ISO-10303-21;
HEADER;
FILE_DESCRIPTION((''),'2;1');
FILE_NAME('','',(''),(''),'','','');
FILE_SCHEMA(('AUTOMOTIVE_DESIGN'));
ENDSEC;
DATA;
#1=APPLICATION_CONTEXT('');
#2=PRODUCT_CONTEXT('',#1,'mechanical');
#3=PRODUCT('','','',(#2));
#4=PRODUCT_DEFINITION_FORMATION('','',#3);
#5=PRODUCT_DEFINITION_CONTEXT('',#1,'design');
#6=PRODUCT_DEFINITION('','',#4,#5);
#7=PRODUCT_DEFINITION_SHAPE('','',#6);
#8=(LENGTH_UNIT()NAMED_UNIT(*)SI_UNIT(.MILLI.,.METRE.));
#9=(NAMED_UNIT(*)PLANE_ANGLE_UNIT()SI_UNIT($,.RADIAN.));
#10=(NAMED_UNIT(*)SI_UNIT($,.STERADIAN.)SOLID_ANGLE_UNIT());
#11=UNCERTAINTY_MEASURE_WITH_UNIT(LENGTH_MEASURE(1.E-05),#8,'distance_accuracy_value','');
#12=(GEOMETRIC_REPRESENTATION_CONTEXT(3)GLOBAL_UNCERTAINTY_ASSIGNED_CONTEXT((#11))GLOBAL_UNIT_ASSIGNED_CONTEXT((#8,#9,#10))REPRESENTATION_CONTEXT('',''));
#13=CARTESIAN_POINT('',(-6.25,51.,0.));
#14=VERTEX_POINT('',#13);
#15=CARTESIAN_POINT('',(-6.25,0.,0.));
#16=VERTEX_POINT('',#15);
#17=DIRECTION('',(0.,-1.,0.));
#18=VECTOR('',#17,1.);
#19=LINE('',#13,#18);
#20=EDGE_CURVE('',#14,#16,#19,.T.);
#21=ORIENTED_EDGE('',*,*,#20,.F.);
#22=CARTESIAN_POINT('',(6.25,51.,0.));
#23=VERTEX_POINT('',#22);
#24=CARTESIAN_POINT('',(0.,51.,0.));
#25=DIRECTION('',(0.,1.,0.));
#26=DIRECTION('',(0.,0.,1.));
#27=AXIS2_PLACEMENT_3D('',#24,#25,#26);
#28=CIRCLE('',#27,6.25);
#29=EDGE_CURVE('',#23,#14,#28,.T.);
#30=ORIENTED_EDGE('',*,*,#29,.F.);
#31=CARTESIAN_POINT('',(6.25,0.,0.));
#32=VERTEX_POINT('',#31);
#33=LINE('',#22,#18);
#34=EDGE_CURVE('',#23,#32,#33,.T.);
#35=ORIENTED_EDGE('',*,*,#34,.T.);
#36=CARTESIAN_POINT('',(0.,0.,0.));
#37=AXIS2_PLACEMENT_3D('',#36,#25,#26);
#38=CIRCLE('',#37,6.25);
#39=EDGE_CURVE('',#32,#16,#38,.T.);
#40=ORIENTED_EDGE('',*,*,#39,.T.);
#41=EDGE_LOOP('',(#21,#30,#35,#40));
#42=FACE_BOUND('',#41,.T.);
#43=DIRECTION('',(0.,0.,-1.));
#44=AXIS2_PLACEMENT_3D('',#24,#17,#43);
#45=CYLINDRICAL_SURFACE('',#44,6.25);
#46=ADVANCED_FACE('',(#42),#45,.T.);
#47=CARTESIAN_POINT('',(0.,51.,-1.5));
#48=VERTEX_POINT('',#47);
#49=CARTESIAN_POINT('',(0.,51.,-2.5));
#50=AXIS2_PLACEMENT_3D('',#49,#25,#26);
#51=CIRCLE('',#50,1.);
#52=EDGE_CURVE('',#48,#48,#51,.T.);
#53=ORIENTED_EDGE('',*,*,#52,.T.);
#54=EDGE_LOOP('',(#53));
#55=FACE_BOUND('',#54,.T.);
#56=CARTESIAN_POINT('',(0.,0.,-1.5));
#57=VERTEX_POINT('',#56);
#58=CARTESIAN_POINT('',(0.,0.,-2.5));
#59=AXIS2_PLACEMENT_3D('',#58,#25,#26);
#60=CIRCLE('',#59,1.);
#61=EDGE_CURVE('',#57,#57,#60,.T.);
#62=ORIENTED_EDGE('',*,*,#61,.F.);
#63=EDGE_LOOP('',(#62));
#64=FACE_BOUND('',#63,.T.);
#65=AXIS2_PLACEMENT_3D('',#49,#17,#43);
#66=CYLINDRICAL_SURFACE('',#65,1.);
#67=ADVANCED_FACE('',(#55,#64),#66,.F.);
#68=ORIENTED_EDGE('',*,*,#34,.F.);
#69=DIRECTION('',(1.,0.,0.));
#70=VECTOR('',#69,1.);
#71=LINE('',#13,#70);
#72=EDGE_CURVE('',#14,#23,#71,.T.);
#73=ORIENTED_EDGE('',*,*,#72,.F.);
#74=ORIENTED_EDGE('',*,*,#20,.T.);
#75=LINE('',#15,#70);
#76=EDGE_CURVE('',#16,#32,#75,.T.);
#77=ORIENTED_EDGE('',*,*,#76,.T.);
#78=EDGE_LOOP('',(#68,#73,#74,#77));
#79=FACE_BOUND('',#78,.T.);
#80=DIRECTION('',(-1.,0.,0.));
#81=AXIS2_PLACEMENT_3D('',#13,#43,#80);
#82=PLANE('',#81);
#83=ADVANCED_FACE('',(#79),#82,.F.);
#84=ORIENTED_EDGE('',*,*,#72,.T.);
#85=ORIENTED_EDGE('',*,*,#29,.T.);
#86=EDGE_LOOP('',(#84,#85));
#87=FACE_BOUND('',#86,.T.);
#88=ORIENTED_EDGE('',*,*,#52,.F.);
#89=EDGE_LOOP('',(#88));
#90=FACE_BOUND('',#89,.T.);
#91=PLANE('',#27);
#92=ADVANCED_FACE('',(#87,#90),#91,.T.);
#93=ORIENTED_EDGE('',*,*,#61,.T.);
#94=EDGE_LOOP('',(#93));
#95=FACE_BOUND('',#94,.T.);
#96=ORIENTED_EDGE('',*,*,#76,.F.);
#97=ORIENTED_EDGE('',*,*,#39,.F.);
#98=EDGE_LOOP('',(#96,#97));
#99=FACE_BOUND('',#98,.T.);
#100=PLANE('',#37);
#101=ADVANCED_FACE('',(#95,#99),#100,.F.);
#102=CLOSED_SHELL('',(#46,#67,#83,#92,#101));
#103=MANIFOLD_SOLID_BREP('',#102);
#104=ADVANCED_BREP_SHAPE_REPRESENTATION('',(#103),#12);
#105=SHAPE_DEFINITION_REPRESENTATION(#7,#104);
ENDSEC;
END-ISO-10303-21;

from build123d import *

# Parameters (mm, degrees)
IZIM2_R                     = 1
Y_KSEKLIK_EKSTR_ZYON1_DEPTH = 51


with BuildPart() as part:
    # Çizim2 → Yükseklik-Ekstrüzyon1 (new body)
    with BuildSketch(Plane(origin=(0, 0, 0), x_dir=(1, 0, 0), z_dir=(0, 1, 0))):
        with BuildLine():
            Line((-6.25, 0), (6.25, 0))
            ThreePointArc((6.25, 0), (0, 6.25), (-6.25, 0))
        make_face()
        with Locations(Location((0, 2.5, 0), (0, 0, 270))):
            Circle(IZIM2_R, mode=Mode.SUBTRACT)
    extrude(amount=Y_KSEKLIK_EKSTR_ZYON1_DEPTH)


solid = part.part
